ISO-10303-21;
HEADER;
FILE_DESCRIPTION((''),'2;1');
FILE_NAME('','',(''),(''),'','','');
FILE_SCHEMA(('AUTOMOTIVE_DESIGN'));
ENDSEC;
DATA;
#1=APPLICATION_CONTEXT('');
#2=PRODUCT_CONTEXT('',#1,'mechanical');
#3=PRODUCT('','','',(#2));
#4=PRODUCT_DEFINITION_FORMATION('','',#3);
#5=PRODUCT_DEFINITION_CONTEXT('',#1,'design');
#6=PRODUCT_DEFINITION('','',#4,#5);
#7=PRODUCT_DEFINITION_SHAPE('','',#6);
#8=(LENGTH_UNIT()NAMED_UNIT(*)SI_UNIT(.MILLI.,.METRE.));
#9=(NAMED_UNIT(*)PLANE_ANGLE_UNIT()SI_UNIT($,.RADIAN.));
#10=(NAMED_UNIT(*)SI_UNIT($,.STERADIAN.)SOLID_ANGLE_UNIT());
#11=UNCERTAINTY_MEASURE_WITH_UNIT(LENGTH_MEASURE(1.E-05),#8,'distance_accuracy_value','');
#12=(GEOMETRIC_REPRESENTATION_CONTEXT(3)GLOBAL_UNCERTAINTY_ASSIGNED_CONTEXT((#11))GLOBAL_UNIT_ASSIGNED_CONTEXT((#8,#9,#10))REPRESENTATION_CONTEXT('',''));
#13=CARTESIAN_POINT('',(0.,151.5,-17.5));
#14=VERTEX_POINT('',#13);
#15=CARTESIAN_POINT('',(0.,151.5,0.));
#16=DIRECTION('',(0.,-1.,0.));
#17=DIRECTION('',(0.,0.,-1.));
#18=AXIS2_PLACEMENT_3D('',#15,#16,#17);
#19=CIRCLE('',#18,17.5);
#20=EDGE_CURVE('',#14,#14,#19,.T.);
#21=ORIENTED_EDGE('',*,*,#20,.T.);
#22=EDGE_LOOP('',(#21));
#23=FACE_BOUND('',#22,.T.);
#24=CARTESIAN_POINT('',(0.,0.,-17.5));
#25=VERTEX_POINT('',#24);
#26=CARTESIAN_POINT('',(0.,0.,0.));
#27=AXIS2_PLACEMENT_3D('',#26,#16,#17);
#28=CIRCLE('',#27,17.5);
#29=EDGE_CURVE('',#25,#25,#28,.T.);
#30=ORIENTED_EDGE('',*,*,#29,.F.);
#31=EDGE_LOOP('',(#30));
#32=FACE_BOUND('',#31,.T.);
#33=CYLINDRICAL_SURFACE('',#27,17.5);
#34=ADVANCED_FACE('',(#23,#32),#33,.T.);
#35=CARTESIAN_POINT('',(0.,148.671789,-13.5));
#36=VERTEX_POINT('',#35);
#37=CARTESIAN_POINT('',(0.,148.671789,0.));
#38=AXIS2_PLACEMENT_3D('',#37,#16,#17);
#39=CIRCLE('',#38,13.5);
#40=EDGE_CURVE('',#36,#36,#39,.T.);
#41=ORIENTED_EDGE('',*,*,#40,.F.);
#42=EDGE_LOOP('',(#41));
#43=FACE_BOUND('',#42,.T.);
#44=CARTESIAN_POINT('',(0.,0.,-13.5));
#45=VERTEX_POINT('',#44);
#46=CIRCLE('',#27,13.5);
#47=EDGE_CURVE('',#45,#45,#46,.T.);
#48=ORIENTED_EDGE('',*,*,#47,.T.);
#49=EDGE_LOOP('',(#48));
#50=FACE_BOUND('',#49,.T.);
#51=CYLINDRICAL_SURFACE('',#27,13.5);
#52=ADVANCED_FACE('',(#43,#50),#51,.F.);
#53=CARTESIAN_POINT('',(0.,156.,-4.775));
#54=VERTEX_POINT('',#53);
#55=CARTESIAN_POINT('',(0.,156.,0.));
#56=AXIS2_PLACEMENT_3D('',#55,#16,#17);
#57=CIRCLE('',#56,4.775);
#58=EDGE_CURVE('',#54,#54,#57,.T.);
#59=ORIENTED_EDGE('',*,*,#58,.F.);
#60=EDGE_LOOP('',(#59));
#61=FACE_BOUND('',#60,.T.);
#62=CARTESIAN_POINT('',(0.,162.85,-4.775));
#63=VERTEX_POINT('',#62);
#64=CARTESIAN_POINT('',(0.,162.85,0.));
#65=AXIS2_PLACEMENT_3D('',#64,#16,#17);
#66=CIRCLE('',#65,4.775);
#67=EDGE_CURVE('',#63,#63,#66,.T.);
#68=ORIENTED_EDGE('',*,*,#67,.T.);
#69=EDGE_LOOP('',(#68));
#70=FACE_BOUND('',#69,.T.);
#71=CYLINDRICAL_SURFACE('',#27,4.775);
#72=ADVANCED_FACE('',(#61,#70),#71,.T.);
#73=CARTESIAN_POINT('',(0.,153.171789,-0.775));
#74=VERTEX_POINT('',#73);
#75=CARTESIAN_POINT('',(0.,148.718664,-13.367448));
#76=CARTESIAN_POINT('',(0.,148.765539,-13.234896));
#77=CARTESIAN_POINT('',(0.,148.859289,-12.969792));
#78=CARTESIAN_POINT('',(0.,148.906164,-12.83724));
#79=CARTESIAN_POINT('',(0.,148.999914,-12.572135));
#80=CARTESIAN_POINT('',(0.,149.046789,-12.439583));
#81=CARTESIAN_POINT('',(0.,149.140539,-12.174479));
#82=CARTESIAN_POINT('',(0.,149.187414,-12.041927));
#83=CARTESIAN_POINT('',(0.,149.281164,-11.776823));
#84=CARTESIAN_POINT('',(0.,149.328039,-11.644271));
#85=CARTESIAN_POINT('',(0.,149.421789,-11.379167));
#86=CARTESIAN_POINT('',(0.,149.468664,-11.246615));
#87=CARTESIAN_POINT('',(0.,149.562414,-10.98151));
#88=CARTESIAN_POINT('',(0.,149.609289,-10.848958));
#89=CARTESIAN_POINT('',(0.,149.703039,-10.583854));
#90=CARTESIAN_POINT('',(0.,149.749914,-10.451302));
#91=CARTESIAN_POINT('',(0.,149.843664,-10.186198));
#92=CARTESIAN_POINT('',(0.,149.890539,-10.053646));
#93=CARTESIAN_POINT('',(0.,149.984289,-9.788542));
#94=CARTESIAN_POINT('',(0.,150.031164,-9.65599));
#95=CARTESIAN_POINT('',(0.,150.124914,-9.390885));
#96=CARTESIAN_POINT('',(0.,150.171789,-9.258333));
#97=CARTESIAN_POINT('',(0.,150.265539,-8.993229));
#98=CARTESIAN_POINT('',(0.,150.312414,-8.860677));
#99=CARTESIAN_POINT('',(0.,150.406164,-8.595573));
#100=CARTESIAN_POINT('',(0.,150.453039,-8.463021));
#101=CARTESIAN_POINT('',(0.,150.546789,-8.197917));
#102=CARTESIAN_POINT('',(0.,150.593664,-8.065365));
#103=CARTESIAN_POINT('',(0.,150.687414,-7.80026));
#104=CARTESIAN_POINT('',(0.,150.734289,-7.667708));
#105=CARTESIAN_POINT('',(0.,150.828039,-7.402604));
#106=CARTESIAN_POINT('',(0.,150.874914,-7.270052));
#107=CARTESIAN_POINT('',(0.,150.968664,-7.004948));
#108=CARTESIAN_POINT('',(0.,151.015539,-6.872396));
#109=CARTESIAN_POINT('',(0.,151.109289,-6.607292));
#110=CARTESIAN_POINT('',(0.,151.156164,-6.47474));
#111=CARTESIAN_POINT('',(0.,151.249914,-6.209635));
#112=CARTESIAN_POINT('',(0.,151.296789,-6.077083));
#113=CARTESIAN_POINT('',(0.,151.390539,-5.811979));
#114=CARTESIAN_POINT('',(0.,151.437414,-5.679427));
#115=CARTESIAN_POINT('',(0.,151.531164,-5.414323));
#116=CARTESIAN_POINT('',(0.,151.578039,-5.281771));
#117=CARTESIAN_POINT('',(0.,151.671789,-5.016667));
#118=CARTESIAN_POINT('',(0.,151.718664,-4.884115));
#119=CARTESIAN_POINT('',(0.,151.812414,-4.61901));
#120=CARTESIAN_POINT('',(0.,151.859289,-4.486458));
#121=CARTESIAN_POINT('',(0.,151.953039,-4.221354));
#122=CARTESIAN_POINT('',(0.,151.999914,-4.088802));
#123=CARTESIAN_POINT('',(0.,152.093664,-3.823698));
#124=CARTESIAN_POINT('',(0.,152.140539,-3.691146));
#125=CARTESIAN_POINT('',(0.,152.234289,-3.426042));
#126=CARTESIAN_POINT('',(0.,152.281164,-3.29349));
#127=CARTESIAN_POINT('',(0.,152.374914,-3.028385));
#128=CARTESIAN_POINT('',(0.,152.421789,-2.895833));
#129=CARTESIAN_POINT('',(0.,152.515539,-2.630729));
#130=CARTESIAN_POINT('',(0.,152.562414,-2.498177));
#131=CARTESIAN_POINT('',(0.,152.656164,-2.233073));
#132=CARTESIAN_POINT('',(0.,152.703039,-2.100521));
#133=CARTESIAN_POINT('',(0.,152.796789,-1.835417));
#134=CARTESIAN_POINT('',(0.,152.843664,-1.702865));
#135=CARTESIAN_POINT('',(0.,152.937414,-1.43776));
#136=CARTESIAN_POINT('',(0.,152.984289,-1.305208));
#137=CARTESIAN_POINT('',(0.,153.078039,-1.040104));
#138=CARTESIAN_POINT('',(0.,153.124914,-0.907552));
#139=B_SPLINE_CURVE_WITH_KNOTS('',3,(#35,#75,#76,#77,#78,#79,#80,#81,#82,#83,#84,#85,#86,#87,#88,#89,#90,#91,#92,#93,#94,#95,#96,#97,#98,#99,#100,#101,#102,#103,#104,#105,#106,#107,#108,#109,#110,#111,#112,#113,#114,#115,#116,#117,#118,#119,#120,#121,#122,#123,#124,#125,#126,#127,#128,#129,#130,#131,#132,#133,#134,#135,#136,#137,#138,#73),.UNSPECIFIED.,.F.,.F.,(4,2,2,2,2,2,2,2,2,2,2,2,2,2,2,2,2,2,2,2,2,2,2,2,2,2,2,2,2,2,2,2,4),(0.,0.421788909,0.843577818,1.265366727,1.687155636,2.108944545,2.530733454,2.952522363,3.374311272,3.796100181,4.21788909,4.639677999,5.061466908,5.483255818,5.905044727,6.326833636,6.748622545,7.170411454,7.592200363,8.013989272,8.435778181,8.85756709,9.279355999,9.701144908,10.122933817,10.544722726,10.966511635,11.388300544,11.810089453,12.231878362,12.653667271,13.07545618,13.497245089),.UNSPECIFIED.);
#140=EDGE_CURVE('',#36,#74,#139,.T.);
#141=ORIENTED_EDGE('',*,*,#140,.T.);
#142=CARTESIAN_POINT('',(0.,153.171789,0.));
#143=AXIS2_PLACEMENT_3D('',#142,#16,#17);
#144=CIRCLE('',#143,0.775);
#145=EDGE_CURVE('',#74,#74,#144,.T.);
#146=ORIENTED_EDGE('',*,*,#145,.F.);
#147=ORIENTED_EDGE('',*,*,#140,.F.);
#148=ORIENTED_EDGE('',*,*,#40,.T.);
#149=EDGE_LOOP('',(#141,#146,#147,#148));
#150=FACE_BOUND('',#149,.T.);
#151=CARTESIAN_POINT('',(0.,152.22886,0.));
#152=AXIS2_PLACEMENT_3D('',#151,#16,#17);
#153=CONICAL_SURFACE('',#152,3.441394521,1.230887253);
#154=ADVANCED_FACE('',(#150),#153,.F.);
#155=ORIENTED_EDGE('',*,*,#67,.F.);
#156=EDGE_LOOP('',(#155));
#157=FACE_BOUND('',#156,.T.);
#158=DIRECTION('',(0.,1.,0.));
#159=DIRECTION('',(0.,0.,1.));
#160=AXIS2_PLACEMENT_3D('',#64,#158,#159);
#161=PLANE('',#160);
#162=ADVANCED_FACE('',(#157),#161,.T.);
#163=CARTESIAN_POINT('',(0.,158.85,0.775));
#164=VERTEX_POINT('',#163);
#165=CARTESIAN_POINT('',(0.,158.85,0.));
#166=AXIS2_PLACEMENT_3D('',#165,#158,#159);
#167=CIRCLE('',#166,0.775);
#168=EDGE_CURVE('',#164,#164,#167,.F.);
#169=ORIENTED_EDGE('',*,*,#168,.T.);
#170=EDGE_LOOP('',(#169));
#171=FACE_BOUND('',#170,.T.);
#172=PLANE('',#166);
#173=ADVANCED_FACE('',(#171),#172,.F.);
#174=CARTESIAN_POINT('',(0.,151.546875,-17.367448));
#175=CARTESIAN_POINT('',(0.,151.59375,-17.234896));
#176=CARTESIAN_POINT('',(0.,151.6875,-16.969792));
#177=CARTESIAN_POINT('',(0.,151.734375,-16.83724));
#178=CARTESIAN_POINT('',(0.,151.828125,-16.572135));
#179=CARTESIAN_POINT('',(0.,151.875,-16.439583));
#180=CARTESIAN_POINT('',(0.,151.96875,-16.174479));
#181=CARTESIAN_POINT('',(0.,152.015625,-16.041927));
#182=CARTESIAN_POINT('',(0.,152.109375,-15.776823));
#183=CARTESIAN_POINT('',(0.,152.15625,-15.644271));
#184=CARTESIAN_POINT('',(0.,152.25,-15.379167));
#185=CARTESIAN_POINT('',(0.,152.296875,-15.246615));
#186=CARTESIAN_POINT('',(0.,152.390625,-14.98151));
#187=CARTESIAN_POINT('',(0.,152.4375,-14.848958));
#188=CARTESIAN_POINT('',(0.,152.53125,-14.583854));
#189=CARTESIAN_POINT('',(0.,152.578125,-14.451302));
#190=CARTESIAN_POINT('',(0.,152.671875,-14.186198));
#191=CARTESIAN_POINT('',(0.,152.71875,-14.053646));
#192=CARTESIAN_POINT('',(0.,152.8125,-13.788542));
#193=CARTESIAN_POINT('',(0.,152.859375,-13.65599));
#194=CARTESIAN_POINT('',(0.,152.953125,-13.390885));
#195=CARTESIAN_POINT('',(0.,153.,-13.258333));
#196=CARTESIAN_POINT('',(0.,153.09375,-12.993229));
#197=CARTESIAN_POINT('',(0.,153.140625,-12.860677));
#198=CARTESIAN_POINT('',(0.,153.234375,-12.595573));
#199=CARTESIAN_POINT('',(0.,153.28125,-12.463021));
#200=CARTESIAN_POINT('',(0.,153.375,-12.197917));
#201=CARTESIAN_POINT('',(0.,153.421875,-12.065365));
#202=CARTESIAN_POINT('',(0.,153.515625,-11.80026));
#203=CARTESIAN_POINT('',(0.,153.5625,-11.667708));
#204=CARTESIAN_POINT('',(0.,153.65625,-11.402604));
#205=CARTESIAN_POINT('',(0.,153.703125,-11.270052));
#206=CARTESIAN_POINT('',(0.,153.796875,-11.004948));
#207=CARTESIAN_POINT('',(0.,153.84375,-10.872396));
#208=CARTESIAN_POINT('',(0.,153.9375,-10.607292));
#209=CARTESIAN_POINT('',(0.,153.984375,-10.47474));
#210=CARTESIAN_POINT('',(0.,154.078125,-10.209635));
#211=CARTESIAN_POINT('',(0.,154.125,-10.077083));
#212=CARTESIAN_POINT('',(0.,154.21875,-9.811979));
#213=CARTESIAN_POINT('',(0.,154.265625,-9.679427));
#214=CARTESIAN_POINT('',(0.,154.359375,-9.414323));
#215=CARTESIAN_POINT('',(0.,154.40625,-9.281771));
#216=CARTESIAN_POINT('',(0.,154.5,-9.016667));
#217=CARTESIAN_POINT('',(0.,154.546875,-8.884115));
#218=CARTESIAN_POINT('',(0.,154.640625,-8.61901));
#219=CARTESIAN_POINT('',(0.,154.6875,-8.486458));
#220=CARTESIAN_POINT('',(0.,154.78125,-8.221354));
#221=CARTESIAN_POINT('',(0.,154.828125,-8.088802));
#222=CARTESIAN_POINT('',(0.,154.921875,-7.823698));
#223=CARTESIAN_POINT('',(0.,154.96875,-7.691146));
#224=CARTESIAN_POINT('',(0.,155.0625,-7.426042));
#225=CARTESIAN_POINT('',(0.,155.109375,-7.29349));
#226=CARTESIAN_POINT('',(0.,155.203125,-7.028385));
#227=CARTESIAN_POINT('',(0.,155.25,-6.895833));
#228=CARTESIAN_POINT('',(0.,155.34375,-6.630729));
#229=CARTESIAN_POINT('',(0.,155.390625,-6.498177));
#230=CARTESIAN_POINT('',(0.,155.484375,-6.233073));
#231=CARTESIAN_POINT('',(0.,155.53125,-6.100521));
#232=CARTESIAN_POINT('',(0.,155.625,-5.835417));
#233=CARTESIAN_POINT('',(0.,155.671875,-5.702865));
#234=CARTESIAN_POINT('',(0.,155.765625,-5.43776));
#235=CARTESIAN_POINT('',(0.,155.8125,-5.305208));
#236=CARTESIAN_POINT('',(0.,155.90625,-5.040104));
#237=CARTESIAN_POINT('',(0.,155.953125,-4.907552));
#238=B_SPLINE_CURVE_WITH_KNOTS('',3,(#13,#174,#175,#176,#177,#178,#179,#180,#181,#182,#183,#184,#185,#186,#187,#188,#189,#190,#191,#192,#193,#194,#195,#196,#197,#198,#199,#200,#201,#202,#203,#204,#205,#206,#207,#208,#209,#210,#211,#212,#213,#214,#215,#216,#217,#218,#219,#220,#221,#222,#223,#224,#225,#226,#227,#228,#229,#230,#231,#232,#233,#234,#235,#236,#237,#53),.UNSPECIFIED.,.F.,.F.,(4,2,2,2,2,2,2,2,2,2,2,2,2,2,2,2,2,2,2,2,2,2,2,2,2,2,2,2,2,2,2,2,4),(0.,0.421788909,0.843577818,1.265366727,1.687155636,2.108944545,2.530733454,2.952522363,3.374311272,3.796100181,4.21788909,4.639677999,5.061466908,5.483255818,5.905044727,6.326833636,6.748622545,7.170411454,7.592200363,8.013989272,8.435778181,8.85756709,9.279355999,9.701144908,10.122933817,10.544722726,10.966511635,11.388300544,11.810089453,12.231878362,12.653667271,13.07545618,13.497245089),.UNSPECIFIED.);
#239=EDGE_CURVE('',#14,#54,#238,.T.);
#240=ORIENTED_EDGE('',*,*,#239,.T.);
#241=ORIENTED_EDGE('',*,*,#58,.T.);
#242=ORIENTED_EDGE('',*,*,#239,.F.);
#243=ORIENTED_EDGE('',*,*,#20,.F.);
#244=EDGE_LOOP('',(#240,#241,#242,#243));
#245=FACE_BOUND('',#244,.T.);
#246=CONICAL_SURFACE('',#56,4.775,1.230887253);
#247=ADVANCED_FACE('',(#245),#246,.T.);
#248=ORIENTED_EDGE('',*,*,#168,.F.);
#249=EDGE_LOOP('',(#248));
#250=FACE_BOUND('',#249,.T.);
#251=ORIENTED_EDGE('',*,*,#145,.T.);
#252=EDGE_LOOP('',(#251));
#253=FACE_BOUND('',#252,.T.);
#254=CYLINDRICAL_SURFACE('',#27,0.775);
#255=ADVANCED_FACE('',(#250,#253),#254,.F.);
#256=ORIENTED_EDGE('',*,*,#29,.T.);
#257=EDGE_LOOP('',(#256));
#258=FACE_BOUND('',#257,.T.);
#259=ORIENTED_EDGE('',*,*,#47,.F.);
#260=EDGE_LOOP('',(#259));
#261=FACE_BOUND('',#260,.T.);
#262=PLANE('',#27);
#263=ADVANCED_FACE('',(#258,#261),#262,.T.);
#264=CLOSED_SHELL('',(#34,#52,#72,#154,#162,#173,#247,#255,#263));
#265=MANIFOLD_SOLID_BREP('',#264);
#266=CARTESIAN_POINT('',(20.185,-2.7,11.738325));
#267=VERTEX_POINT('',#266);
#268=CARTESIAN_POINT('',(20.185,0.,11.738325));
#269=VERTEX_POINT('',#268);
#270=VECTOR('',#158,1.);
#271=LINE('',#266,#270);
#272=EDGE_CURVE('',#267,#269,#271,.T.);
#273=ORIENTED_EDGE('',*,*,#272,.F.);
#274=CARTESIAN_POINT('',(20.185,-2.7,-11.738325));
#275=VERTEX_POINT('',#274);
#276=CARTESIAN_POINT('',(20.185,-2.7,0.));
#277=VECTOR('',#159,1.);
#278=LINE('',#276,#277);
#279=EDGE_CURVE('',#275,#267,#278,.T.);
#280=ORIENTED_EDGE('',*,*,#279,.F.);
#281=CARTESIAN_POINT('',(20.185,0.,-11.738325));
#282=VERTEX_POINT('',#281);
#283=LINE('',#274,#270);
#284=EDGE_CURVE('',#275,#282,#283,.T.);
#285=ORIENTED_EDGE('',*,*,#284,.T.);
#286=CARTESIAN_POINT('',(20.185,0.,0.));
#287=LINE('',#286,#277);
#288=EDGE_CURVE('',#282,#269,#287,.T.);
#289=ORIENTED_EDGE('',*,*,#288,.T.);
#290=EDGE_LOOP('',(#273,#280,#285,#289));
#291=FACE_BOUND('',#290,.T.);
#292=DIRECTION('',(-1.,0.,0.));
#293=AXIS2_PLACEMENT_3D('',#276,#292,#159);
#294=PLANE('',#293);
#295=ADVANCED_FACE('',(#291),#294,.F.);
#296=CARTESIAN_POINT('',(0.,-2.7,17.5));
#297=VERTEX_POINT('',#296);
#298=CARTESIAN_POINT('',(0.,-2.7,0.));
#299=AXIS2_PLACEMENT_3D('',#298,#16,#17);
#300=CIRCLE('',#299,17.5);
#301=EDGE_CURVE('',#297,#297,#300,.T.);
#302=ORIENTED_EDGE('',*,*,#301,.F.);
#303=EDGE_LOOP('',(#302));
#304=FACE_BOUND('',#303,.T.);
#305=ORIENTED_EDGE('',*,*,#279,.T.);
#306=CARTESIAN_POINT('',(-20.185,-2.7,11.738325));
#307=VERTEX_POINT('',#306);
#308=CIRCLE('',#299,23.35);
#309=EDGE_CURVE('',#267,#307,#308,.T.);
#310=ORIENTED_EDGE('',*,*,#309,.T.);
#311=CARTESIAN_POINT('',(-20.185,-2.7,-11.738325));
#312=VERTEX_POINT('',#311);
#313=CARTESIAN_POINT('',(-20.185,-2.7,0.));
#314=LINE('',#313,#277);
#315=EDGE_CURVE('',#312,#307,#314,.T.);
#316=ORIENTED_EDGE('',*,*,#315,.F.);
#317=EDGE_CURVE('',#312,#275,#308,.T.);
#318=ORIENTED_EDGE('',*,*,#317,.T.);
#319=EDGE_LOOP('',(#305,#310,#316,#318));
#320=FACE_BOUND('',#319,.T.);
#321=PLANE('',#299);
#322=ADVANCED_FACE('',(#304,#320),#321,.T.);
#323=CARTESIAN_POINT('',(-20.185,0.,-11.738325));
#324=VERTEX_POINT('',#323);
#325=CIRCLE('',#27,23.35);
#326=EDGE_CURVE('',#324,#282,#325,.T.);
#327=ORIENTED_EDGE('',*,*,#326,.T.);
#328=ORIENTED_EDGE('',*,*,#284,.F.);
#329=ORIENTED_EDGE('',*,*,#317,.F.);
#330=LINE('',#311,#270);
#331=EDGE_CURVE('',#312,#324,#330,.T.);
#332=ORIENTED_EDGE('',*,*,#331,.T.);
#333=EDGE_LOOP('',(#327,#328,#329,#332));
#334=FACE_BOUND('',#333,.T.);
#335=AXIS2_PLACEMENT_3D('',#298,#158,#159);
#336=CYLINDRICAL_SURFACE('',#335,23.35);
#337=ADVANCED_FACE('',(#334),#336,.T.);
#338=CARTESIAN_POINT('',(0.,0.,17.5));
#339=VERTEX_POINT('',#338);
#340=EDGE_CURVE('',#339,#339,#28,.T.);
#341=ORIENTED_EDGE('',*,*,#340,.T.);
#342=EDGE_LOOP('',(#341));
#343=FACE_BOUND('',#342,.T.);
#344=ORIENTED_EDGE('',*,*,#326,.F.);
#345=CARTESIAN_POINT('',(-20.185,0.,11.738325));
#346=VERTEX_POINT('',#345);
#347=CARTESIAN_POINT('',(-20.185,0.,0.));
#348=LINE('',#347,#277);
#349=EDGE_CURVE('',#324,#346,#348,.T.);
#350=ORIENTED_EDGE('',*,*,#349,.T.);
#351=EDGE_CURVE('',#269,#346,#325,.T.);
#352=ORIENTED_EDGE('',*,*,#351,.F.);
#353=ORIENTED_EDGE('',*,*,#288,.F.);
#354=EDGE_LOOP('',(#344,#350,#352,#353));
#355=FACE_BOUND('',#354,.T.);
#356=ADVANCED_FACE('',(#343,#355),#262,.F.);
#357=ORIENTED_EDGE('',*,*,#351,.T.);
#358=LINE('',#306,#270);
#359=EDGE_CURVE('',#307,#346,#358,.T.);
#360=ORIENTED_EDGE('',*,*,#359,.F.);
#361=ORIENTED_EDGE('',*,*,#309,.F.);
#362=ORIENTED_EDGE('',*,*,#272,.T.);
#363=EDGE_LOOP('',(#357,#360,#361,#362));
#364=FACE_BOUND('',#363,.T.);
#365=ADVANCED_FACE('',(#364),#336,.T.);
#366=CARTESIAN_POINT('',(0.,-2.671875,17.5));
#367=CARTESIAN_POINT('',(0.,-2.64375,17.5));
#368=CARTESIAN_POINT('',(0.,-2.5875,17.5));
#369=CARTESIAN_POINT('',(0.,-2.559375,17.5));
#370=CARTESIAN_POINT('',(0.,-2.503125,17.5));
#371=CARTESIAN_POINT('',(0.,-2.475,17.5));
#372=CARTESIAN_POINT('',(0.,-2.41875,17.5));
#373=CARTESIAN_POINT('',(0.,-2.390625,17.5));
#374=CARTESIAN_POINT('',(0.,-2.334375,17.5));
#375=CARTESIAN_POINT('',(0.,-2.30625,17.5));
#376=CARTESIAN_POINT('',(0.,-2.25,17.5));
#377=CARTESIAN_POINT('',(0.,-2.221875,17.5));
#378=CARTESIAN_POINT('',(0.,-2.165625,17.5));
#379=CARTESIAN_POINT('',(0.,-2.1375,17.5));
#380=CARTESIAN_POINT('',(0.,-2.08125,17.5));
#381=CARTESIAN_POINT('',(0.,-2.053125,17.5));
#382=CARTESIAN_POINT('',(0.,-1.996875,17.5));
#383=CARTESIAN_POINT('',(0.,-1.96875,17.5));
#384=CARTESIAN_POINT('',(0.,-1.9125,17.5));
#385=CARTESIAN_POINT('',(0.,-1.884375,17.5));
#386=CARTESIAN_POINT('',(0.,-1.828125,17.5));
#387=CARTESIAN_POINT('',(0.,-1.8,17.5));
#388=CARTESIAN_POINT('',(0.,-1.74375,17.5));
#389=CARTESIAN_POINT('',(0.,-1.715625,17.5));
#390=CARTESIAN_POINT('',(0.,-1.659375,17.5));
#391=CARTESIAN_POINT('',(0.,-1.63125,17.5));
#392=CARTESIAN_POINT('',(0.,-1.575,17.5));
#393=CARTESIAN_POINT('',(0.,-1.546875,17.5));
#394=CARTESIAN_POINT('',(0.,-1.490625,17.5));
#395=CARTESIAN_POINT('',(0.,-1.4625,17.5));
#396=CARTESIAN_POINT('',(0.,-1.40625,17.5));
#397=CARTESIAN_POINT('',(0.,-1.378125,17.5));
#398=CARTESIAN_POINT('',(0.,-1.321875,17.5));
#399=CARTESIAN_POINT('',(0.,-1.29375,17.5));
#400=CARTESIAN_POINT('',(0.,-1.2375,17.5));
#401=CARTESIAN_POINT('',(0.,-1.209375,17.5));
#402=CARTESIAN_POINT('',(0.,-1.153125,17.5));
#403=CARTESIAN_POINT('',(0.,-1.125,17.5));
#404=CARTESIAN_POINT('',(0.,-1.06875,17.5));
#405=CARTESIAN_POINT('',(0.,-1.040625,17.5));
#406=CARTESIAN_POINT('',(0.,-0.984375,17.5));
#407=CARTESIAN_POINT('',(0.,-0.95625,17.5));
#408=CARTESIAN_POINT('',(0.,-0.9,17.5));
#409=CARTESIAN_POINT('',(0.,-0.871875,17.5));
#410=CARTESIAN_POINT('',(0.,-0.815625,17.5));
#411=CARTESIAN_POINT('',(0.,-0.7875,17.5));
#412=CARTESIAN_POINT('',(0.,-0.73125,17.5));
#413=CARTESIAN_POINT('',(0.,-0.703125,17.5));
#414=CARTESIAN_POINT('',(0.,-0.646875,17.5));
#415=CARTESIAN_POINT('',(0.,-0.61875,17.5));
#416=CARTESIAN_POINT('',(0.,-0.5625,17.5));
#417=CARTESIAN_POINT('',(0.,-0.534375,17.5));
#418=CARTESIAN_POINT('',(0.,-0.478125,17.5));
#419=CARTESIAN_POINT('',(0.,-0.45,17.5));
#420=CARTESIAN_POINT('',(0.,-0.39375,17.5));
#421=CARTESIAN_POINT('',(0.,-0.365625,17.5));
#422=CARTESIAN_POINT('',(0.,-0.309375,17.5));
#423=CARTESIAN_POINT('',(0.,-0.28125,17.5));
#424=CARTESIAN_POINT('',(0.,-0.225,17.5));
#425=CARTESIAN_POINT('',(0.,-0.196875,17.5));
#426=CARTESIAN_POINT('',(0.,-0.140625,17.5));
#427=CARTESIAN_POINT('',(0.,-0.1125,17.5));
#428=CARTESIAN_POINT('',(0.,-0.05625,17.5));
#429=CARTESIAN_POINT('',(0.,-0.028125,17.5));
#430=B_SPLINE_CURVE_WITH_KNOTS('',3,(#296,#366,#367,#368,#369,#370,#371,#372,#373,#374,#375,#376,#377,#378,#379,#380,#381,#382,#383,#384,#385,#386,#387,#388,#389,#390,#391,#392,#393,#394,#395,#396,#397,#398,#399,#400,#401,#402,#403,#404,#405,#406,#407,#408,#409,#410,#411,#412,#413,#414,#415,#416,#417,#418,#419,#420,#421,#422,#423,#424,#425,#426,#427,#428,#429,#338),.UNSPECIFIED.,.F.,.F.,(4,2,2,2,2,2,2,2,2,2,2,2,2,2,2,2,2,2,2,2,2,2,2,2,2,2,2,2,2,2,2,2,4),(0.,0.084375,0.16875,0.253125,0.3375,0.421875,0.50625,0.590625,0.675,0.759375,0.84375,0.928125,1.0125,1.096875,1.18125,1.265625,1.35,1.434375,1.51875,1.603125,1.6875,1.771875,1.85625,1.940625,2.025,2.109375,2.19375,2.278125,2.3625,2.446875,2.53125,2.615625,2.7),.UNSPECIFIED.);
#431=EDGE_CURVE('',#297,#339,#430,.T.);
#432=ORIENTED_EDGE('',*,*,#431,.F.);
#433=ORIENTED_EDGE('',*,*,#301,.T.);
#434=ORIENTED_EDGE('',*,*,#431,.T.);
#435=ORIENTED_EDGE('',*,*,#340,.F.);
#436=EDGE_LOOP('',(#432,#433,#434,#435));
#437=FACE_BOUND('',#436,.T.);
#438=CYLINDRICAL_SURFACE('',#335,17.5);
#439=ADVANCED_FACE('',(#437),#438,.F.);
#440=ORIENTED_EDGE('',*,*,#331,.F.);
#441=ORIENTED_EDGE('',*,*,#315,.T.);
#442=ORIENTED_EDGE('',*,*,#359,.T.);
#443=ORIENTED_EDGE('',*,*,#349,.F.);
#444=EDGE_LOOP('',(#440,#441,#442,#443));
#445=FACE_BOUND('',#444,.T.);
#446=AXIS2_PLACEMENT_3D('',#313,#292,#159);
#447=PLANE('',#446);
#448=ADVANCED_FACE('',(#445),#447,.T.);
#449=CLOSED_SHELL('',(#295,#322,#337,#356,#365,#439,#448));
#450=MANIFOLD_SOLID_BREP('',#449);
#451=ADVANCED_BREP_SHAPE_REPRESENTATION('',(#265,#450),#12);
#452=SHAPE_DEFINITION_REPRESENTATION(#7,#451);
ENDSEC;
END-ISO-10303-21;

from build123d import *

# Parameters (mm, degrees)
SKETCH1_W           = 17.5
SKETCH1_H           = 151.5
SHELL1_T            = -4
SKETCH2_R           = 17.5
BOSS_EXTRUDE1_DEPTH = 2.7


with BuildPart() as part:
    # Sketch1 → Revolve1 (revolve)
    with BuildSketch(Plane.XY, mode=Mode.PRIVATE) as revolve1_sk:
        Polygon((4.775, 151.5), (4.775, 156), (4.775, 162.85), (0, 162.85), (0, 151.5), align=None)
        with Locations((8.75, 75.75)):
            Rectangle(SKETCH1_W, SKETCH1_H)
        Polygon((17.5, 151.5), (4.775, 156), (4.775, 151.5), align=None)
    revolve(revolve1_sk.sketch.rotate(Axis((0, 0, 0), (0, 1, 0)), 90), axis=Axis((0, 0, 0), (0, 1, 0)))

    # Shell1
    shell1_openings = [part.faces().sort_by_distance(p)[0] for p in [
        (0, 0, 0),
    ]]
    offset(amount=SHELL1_T, openings=shell1_openings, kind=Kind.INTERSECTION)


with BuildPart() as body_2:
    # Sketch2 → Boss-Extrude1 (new body)
    with BuildSketch(Plane.XZ):
        with BuildLine():
            Line((-20.185, 11.738325051), (-20.185, -11.738325051))
            ThreePointArc((-20.185, -11.738325051), (0, -23.35), (20.185, -11.738325051))
            Line((20.185, -11.738325051), (20.185, 11.738325051))
            ThreePointArc((20.185, 11.738325051), (0, 23.35), (-20.185, 11.738325051))
        make_face()
        with Locations(Location((0, 0, 0), (0, 0, 90))):
            Circle(SKETCH2_R, mode=Mode.SUBTRACT)
    extrude(amount=BOSS_EXTRUDE1_DEPTH)


solid = Compound([part.part, body_2.part])
